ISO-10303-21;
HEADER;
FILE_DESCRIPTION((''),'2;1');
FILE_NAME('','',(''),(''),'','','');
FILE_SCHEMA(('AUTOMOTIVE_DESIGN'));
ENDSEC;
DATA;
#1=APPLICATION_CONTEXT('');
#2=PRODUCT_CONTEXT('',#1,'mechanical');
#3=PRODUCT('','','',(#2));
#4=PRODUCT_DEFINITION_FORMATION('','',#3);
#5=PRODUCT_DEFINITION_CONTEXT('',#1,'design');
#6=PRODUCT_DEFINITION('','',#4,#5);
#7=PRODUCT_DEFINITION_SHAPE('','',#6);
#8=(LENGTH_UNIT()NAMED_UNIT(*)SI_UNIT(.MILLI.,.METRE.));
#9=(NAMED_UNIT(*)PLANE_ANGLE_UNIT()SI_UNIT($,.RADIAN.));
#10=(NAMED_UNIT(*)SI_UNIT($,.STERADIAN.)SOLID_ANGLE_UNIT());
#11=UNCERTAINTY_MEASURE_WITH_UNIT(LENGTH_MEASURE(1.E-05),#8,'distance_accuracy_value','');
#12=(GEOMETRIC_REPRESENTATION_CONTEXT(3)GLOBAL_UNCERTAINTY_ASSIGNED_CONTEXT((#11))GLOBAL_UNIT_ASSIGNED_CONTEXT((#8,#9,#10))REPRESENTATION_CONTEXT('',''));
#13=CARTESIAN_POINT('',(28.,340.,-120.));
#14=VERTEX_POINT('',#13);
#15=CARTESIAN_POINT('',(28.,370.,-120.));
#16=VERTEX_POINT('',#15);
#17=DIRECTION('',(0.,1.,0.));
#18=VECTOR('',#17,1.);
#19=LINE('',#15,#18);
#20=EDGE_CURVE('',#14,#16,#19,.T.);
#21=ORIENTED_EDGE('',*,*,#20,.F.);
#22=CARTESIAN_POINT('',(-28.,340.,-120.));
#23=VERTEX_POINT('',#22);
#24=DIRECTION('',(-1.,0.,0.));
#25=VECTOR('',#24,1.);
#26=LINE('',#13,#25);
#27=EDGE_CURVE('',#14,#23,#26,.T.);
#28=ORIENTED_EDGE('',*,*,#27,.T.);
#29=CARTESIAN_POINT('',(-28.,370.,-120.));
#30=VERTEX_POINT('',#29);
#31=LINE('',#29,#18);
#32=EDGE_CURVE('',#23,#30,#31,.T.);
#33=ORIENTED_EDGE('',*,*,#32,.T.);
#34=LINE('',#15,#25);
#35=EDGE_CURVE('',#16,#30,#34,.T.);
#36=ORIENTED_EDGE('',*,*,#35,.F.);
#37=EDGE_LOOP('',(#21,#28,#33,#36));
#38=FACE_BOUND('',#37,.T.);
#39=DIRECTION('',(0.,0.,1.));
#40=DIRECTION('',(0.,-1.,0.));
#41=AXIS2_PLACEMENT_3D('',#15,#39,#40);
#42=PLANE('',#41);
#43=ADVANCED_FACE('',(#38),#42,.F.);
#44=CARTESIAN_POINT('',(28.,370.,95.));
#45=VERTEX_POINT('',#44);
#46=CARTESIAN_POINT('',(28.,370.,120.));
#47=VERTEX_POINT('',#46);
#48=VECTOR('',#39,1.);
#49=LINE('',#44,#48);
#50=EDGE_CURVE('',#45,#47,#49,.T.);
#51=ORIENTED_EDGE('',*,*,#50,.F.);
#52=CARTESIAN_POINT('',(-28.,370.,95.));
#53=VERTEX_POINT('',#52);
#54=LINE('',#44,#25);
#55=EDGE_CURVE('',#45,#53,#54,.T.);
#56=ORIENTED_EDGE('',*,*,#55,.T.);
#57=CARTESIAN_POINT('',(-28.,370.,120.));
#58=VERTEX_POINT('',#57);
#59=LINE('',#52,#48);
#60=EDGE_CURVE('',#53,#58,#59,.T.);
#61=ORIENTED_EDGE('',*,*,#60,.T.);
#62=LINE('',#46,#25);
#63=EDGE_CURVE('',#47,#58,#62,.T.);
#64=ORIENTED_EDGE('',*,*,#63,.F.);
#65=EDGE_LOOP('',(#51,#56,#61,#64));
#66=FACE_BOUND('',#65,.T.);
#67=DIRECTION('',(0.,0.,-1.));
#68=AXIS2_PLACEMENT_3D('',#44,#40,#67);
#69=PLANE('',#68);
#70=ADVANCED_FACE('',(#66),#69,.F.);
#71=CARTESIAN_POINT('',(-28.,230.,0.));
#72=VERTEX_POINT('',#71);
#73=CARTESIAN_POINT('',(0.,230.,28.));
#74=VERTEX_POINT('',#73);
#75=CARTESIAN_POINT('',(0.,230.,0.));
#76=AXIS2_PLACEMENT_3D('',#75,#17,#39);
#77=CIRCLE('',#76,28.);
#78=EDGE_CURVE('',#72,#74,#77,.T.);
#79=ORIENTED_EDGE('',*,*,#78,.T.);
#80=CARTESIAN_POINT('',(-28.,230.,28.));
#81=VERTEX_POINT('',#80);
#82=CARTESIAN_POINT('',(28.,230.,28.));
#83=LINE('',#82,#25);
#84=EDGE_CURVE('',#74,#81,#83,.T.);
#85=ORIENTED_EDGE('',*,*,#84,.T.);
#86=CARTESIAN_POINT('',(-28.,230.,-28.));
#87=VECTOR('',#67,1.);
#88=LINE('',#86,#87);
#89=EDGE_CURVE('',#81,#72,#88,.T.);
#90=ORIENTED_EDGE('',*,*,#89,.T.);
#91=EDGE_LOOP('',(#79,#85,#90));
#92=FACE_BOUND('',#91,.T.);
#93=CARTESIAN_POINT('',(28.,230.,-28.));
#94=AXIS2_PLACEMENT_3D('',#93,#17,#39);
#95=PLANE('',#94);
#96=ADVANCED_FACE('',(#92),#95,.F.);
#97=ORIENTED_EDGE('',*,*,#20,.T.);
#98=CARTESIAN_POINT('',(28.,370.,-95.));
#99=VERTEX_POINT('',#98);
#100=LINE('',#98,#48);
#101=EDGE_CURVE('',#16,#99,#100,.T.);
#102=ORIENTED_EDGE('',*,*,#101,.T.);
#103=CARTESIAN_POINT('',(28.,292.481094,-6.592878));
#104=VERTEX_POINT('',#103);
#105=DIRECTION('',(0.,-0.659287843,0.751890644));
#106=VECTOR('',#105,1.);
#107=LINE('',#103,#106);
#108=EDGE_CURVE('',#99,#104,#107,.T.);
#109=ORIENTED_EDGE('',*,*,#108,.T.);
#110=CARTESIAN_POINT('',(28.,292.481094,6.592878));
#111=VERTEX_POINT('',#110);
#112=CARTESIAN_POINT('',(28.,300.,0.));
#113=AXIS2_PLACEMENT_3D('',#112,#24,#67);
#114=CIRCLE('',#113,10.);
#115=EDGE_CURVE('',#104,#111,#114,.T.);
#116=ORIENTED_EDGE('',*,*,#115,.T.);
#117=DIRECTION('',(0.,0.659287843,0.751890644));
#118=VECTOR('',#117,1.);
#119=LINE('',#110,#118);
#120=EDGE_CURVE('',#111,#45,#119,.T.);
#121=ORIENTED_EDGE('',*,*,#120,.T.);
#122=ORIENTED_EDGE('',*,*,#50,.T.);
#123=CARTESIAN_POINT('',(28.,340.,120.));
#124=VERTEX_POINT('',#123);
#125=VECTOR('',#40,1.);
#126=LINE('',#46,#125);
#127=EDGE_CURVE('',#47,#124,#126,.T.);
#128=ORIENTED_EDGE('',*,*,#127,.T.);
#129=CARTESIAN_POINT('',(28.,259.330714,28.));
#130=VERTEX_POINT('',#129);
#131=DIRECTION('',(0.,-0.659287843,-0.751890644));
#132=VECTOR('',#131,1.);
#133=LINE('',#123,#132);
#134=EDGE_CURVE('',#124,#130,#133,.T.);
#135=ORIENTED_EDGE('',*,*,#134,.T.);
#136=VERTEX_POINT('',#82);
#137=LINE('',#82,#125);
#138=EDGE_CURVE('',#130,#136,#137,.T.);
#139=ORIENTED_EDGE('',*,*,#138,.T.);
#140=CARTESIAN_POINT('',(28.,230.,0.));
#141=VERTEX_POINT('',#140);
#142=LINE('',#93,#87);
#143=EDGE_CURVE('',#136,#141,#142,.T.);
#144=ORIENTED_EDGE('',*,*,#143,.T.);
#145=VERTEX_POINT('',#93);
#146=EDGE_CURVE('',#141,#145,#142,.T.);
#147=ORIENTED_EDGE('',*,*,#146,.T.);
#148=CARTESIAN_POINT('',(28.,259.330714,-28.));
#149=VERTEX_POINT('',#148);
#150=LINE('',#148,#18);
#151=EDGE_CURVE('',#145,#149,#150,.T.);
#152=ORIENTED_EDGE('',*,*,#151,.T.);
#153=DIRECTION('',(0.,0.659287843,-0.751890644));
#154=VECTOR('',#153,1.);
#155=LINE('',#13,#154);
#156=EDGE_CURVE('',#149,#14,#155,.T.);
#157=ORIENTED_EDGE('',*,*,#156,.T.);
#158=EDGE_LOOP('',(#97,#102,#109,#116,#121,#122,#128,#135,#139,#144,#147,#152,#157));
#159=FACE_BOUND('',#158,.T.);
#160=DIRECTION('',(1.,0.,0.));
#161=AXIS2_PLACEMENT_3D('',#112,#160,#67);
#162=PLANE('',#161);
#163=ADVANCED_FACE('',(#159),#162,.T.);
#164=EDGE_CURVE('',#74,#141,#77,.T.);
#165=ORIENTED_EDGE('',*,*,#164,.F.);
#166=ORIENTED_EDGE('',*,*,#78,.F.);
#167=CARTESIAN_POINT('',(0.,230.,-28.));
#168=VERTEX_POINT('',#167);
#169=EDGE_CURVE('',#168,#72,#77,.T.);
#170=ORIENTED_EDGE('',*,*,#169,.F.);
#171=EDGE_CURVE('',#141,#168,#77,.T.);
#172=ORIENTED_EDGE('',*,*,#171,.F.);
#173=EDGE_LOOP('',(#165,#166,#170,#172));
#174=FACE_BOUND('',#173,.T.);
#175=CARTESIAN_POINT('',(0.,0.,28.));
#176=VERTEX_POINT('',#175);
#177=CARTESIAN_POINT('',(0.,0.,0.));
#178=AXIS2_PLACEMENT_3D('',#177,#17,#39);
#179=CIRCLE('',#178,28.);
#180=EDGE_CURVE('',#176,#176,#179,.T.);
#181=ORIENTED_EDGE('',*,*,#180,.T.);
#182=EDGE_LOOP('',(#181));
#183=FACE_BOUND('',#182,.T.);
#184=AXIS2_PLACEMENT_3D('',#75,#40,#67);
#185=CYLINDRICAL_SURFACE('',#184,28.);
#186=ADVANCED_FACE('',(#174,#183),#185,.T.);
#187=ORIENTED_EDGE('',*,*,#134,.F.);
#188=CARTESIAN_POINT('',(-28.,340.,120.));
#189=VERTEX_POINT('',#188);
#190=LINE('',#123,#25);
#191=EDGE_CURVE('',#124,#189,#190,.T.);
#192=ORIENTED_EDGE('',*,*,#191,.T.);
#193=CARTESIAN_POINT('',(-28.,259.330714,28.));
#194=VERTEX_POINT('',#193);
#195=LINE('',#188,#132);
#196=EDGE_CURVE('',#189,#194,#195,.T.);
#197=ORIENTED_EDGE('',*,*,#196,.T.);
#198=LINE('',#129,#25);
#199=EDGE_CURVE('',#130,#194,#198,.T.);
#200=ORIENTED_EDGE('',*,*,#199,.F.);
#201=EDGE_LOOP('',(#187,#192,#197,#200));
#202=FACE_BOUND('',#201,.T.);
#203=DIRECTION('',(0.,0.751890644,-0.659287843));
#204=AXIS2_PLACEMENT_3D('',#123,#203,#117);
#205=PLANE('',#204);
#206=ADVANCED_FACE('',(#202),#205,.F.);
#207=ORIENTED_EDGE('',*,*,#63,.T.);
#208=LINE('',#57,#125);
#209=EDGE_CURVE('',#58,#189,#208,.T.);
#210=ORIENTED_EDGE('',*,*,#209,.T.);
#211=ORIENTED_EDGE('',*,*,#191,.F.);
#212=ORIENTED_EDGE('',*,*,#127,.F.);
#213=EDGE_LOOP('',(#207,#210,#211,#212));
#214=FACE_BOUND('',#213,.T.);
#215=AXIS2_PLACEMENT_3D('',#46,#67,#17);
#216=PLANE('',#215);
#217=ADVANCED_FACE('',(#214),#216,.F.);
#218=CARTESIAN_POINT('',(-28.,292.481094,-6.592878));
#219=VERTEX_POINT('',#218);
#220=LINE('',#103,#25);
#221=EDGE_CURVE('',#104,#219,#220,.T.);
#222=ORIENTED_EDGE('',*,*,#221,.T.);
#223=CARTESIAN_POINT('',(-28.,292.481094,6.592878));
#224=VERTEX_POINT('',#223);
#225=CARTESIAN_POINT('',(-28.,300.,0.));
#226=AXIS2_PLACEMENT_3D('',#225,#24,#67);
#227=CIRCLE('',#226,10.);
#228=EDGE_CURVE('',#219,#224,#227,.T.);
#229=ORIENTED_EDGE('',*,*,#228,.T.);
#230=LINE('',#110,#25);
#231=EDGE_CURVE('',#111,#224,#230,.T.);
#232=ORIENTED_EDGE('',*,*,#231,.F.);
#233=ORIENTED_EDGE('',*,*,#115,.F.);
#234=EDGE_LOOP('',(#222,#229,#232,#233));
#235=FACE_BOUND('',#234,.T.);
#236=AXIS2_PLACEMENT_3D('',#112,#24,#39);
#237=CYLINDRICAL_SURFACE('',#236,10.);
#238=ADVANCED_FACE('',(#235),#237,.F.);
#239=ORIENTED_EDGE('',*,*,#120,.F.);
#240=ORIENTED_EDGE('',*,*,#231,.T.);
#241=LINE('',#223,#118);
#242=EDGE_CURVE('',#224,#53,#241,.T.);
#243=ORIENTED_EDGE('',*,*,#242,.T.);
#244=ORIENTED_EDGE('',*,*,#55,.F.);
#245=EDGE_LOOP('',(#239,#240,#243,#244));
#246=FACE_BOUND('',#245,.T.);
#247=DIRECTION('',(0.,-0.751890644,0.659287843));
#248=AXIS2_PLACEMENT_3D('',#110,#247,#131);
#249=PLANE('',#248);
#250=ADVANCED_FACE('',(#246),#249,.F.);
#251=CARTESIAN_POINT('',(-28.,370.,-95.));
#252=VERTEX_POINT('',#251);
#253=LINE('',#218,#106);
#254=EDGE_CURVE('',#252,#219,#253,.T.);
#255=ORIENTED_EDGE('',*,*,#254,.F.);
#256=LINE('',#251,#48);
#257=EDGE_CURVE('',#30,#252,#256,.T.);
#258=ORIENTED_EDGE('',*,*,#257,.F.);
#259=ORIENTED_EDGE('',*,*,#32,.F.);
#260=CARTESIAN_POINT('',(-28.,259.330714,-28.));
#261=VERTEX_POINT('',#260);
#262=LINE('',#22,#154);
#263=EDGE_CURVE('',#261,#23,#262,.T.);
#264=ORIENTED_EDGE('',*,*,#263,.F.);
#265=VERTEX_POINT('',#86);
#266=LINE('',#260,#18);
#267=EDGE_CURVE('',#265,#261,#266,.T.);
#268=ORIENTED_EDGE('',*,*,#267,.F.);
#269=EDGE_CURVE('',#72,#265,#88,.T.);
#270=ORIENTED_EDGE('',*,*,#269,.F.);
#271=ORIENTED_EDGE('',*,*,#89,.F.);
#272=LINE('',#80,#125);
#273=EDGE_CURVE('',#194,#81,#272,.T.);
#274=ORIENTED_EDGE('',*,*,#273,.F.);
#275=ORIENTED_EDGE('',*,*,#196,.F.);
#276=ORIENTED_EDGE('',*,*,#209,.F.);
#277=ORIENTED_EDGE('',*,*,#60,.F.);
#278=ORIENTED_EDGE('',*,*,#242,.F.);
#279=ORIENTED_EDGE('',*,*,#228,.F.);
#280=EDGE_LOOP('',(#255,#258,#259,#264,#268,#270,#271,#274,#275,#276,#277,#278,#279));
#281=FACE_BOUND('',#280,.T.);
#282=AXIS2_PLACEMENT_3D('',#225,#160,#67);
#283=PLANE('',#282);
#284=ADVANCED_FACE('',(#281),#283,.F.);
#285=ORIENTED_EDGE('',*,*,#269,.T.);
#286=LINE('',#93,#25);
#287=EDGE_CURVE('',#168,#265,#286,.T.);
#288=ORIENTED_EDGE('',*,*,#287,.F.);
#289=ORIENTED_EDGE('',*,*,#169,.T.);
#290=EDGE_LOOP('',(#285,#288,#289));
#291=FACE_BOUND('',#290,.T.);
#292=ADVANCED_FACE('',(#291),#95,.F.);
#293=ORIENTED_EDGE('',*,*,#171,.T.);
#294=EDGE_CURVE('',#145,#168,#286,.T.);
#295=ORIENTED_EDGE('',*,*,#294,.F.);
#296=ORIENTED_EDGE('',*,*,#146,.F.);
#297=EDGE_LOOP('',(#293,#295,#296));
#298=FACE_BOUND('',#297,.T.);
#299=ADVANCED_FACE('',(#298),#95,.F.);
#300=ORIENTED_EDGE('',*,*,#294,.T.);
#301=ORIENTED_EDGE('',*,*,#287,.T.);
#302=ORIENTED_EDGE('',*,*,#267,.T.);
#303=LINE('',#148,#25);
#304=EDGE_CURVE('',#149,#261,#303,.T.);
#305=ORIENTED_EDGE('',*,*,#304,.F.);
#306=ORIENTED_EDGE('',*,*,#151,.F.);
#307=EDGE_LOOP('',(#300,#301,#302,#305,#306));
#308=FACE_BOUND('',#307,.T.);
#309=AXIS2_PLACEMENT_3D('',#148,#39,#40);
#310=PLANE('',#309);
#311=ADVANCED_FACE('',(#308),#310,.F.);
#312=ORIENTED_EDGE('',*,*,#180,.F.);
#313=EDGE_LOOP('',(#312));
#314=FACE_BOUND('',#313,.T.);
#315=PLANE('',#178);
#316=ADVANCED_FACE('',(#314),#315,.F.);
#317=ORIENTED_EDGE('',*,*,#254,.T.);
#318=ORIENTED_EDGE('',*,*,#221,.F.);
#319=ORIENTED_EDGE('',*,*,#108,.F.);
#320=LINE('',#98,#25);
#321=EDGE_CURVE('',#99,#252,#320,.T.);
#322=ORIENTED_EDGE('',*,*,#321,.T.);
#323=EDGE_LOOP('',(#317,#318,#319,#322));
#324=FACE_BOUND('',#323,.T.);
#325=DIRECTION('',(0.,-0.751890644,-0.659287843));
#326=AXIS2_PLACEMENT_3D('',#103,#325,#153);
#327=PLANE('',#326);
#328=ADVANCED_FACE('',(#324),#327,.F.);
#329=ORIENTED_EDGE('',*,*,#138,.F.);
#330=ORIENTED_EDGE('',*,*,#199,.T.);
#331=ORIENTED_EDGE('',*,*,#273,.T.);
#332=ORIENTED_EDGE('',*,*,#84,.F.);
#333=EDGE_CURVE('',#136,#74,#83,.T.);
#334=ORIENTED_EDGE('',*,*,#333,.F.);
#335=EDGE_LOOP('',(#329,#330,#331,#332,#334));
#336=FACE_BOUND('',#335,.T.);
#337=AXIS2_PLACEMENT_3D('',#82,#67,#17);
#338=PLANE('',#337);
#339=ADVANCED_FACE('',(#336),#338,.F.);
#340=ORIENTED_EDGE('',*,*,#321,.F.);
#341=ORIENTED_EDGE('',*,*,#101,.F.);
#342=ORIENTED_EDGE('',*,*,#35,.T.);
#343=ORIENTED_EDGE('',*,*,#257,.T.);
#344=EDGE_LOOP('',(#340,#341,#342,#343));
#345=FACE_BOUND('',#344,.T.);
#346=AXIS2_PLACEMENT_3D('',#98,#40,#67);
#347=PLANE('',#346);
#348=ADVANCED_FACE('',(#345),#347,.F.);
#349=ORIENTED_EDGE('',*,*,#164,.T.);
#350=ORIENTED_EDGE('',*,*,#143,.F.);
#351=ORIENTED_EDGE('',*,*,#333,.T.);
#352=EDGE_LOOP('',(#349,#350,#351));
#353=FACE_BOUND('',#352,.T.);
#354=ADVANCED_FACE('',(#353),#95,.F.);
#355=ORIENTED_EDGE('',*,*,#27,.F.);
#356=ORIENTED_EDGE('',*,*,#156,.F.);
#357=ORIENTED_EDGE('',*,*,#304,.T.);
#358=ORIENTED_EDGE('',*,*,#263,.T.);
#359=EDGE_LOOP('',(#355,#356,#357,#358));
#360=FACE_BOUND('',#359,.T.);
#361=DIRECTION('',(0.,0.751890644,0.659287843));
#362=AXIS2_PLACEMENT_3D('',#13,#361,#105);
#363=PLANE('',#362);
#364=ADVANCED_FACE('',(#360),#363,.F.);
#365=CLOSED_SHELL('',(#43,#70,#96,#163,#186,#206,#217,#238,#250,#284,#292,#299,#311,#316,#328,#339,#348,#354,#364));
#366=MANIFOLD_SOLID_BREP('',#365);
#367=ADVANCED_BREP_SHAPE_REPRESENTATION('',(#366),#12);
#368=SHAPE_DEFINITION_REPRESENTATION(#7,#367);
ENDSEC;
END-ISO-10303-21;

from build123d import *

# Parameters (mm, degrees)
SKETCH1_R           = 28
BOSS_EXTRUDE1_DEPTH = 230
BOSS_EXTRUDE2_DEPTH = 28


with BuildPart() as part:
    # Sketch1 → Boss-Extrude1 (new body)
    with BuildSketch(Plane(origin=(0, 0, 0), x_dir=(1, 0, 0), z_dir=(0, 1, 0))):
        Circle(SKETCH1_R)
    extrude(amount=BOSS_EXTRUDE1_DEPTH)

    # Sketch2 → Boss-Extrude2 (add, symmetric)
    with BuildSketch(Plane(origin=(0, 0, 0), x_dir=(0, 0, -1), z_dir=(1, 0, 0))):
        with BuildLine():
            Line((6.592878428, 292.481093562), (95, 370))
            Line((95, 370), (120, 370))
            Line((120, 370), (120, 340))
            Line((120, 340), (28, 259.330713798))
            Line((28, 259.330713798), (28, 230))
            Line((28, 230), (-28, 230))
            Line((-28, 230), (-28, 259.330713798))
            Line((-28, 259.330713798), (-120, 340))
            Line((-120, 340), (-120, 370))
            Line((-120, 370), (-95, 370))
            Line((-95, 370), (-6.592878428, 292.481093562))
            ThreePointArc((-6.592878428, 292.481093562), (0, 290), (6.592878428, 292.481093562))
        make_face()
    extrude(amount=BOSS_EXTRUDE2_DEPTH, both=True)


solid = part.part
